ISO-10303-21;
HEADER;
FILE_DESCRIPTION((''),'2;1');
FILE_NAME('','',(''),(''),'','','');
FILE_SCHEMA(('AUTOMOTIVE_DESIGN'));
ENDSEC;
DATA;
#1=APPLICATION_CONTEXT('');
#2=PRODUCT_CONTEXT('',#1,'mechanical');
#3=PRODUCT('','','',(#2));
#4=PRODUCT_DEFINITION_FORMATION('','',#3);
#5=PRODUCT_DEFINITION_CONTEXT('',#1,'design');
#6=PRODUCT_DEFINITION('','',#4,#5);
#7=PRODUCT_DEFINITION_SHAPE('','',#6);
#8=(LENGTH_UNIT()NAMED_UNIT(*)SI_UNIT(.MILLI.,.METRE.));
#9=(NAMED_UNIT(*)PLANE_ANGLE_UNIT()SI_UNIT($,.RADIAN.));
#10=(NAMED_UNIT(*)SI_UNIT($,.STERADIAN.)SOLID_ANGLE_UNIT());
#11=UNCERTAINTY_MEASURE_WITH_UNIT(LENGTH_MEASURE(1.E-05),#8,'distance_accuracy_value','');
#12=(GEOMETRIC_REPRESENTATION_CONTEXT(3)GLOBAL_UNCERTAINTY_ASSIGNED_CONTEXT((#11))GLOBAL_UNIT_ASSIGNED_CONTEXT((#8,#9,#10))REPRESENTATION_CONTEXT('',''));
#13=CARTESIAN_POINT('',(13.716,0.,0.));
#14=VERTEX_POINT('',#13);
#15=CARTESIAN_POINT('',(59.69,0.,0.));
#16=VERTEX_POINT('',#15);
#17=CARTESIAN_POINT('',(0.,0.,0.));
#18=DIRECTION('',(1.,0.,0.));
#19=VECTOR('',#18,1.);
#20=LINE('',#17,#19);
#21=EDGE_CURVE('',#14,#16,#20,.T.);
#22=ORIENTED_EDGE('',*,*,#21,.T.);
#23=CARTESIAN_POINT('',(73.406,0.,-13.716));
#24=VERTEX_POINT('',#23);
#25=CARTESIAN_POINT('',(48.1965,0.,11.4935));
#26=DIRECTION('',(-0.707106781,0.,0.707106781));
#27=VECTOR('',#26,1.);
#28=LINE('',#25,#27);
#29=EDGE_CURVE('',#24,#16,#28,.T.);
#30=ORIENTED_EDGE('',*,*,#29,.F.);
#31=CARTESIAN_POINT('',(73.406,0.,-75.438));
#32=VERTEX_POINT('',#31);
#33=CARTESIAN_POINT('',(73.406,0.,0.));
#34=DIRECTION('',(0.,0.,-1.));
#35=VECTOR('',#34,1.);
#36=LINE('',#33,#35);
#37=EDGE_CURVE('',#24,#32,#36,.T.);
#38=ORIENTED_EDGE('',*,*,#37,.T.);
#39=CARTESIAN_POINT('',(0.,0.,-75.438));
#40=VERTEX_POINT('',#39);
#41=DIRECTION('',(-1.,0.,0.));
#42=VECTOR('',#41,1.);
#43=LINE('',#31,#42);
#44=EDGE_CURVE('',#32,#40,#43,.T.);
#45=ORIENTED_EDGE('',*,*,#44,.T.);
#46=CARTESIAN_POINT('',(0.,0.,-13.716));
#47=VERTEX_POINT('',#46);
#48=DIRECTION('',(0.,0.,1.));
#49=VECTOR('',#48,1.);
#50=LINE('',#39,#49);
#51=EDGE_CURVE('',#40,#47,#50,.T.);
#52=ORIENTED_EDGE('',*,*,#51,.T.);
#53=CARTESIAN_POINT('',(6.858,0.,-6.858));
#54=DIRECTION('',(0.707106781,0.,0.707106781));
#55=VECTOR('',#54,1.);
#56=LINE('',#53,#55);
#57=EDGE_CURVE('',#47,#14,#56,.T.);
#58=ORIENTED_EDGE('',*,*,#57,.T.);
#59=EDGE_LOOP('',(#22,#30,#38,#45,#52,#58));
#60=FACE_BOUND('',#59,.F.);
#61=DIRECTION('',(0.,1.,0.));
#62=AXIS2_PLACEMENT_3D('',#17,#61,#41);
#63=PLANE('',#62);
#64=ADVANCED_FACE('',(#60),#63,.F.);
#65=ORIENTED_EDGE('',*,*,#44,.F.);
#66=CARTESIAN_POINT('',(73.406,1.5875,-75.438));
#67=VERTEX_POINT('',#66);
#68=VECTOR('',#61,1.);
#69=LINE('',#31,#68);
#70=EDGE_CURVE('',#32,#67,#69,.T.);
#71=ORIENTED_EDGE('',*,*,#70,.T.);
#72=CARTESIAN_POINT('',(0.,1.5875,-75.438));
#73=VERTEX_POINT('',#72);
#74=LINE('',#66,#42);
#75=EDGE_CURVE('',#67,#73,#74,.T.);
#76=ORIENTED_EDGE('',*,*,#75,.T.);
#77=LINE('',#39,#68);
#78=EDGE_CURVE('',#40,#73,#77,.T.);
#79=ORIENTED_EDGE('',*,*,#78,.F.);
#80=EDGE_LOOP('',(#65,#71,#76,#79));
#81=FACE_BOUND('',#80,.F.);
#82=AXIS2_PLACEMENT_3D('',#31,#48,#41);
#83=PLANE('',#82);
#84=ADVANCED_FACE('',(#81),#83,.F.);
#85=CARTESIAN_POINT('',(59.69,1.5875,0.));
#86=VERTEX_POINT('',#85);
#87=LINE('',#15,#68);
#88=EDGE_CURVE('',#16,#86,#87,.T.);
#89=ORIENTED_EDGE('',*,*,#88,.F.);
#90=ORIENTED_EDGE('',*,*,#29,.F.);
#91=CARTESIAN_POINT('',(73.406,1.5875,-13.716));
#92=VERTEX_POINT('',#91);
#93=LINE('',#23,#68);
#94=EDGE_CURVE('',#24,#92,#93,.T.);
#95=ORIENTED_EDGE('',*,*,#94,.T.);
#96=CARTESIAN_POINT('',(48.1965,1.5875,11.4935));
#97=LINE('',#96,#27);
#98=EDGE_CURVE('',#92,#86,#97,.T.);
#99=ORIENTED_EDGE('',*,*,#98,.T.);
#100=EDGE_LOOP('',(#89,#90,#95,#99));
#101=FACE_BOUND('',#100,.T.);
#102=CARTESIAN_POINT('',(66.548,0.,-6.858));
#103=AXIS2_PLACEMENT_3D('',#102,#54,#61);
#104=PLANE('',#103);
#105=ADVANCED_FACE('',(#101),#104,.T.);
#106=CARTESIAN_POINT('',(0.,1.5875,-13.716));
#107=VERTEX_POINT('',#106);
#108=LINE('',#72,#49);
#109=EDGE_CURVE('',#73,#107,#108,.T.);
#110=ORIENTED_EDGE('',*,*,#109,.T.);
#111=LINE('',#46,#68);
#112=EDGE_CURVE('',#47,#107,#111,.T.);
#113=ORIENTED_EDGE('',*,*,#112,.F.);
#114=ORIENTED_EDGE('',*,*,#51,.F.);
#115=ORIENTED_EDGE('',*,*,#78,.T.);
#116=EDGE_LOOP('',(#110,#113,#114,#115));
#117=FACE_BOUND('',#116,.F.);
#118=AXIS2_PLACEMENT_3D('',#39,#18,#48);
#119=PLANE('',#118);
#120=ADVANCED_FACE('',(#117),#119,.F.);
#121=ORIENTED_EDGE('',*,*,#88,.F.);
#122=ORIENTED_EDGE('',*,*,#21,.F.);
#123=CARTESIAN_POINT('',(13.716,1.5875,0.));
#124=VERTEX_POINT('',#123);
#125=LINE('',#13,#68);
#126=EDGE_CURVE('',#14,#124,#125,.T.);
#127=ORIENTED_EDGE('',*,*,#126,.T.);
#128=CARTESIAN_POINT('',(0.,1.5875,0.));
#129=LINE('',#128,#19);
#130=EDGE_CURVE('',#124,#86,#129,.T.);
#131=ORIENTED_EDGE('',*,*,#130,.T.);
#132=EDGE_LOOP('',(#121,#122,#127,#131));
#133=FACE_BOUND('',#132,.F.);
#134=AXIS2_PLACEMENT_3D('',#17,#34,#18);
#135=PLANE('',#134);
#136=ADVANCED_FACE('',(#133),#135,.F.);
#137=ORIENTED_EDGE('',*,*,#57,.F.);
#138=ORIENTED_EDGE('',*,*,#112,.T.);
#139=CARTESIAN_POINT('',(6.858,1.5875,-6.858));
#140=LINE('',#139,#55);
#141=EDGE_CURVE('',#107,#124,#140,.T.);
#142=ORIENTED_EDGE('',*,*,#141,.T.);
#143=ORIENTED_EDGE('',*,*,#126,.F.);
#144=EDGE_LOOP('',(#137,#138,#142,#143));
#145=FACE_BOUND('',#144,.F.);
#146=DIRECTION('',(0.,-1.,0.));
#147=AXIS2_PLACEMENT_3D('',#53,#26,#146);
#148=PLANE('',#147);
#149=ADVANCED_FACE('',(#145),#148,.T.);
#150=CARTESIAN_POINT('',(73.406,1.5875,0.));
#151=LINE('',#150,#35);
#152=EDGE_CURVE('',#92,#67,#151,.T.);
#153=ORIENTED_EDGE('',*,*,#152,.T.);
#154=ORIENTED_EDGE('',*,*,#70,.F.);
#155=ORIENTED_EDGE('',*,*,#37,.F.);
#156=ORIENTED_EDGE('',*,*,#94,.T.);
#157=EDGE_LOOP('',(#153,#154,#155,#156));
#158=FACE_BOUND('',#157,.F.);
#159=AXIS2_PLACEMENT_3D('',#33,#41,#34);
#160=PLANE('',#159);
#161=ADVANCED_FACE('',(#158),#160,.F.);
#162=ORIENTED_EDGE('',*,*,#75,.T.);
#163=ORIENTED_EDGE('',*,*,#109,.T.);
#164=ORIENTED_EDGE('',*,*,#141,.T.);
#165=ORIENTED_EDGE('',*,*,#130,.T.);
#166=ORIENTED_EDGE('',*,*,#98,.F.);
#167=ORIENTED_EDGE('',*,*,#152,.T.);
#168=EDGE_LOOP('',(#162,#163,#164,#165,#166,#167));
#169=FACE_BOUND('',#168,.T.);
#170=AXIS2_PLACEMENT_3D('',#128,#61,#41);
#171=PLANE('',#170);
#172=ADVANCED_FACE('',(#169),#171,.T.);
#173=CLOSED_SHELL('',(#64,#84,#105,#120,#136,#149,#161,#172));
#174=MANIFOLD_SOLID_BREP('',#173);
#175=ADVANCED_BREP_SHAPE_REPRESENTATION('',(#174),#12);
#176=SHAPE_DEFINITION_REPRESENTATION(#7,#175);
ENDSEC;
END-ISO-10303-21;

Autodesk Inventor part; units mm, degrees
ref_plane "YZ Plane" through (0, 0, 0) normal (1, 0, 0) x (0, 1, 0)
ref_plane "XZ Plane" through (0, 0, 0) normal (0, 1, 0) x (-1, 0, 0)
ref_plane "XY Plane" through (0, 0, 0) normal (0, 0, 1) x (1, 0, 0)
sketch "Sketch1" plane through (0, 0, 0) normal (0, 1, 0) x (-1, 0, 0)
  line L0 (0, 0) -> (-73.406, 0)
  line L1 (-73.406, 0) -> (-73.406, -75.438)
  line L2 (-73.406, -75.438) -> (0, -75.438)
  line L3 (0, -75.438) -> (0, 0)
  dimension "d0" = 73.406
  dimension "d1" = 75.438
extrude "Extrusion1" add sketch "Sketch1" along normal blind 1.5875
chamfer "Chamfer1" distance 13.716 angle 45 2 edges at (0, 0.7937, 0) (73.406, 0.7937, 0)
properties part number "PCB"
